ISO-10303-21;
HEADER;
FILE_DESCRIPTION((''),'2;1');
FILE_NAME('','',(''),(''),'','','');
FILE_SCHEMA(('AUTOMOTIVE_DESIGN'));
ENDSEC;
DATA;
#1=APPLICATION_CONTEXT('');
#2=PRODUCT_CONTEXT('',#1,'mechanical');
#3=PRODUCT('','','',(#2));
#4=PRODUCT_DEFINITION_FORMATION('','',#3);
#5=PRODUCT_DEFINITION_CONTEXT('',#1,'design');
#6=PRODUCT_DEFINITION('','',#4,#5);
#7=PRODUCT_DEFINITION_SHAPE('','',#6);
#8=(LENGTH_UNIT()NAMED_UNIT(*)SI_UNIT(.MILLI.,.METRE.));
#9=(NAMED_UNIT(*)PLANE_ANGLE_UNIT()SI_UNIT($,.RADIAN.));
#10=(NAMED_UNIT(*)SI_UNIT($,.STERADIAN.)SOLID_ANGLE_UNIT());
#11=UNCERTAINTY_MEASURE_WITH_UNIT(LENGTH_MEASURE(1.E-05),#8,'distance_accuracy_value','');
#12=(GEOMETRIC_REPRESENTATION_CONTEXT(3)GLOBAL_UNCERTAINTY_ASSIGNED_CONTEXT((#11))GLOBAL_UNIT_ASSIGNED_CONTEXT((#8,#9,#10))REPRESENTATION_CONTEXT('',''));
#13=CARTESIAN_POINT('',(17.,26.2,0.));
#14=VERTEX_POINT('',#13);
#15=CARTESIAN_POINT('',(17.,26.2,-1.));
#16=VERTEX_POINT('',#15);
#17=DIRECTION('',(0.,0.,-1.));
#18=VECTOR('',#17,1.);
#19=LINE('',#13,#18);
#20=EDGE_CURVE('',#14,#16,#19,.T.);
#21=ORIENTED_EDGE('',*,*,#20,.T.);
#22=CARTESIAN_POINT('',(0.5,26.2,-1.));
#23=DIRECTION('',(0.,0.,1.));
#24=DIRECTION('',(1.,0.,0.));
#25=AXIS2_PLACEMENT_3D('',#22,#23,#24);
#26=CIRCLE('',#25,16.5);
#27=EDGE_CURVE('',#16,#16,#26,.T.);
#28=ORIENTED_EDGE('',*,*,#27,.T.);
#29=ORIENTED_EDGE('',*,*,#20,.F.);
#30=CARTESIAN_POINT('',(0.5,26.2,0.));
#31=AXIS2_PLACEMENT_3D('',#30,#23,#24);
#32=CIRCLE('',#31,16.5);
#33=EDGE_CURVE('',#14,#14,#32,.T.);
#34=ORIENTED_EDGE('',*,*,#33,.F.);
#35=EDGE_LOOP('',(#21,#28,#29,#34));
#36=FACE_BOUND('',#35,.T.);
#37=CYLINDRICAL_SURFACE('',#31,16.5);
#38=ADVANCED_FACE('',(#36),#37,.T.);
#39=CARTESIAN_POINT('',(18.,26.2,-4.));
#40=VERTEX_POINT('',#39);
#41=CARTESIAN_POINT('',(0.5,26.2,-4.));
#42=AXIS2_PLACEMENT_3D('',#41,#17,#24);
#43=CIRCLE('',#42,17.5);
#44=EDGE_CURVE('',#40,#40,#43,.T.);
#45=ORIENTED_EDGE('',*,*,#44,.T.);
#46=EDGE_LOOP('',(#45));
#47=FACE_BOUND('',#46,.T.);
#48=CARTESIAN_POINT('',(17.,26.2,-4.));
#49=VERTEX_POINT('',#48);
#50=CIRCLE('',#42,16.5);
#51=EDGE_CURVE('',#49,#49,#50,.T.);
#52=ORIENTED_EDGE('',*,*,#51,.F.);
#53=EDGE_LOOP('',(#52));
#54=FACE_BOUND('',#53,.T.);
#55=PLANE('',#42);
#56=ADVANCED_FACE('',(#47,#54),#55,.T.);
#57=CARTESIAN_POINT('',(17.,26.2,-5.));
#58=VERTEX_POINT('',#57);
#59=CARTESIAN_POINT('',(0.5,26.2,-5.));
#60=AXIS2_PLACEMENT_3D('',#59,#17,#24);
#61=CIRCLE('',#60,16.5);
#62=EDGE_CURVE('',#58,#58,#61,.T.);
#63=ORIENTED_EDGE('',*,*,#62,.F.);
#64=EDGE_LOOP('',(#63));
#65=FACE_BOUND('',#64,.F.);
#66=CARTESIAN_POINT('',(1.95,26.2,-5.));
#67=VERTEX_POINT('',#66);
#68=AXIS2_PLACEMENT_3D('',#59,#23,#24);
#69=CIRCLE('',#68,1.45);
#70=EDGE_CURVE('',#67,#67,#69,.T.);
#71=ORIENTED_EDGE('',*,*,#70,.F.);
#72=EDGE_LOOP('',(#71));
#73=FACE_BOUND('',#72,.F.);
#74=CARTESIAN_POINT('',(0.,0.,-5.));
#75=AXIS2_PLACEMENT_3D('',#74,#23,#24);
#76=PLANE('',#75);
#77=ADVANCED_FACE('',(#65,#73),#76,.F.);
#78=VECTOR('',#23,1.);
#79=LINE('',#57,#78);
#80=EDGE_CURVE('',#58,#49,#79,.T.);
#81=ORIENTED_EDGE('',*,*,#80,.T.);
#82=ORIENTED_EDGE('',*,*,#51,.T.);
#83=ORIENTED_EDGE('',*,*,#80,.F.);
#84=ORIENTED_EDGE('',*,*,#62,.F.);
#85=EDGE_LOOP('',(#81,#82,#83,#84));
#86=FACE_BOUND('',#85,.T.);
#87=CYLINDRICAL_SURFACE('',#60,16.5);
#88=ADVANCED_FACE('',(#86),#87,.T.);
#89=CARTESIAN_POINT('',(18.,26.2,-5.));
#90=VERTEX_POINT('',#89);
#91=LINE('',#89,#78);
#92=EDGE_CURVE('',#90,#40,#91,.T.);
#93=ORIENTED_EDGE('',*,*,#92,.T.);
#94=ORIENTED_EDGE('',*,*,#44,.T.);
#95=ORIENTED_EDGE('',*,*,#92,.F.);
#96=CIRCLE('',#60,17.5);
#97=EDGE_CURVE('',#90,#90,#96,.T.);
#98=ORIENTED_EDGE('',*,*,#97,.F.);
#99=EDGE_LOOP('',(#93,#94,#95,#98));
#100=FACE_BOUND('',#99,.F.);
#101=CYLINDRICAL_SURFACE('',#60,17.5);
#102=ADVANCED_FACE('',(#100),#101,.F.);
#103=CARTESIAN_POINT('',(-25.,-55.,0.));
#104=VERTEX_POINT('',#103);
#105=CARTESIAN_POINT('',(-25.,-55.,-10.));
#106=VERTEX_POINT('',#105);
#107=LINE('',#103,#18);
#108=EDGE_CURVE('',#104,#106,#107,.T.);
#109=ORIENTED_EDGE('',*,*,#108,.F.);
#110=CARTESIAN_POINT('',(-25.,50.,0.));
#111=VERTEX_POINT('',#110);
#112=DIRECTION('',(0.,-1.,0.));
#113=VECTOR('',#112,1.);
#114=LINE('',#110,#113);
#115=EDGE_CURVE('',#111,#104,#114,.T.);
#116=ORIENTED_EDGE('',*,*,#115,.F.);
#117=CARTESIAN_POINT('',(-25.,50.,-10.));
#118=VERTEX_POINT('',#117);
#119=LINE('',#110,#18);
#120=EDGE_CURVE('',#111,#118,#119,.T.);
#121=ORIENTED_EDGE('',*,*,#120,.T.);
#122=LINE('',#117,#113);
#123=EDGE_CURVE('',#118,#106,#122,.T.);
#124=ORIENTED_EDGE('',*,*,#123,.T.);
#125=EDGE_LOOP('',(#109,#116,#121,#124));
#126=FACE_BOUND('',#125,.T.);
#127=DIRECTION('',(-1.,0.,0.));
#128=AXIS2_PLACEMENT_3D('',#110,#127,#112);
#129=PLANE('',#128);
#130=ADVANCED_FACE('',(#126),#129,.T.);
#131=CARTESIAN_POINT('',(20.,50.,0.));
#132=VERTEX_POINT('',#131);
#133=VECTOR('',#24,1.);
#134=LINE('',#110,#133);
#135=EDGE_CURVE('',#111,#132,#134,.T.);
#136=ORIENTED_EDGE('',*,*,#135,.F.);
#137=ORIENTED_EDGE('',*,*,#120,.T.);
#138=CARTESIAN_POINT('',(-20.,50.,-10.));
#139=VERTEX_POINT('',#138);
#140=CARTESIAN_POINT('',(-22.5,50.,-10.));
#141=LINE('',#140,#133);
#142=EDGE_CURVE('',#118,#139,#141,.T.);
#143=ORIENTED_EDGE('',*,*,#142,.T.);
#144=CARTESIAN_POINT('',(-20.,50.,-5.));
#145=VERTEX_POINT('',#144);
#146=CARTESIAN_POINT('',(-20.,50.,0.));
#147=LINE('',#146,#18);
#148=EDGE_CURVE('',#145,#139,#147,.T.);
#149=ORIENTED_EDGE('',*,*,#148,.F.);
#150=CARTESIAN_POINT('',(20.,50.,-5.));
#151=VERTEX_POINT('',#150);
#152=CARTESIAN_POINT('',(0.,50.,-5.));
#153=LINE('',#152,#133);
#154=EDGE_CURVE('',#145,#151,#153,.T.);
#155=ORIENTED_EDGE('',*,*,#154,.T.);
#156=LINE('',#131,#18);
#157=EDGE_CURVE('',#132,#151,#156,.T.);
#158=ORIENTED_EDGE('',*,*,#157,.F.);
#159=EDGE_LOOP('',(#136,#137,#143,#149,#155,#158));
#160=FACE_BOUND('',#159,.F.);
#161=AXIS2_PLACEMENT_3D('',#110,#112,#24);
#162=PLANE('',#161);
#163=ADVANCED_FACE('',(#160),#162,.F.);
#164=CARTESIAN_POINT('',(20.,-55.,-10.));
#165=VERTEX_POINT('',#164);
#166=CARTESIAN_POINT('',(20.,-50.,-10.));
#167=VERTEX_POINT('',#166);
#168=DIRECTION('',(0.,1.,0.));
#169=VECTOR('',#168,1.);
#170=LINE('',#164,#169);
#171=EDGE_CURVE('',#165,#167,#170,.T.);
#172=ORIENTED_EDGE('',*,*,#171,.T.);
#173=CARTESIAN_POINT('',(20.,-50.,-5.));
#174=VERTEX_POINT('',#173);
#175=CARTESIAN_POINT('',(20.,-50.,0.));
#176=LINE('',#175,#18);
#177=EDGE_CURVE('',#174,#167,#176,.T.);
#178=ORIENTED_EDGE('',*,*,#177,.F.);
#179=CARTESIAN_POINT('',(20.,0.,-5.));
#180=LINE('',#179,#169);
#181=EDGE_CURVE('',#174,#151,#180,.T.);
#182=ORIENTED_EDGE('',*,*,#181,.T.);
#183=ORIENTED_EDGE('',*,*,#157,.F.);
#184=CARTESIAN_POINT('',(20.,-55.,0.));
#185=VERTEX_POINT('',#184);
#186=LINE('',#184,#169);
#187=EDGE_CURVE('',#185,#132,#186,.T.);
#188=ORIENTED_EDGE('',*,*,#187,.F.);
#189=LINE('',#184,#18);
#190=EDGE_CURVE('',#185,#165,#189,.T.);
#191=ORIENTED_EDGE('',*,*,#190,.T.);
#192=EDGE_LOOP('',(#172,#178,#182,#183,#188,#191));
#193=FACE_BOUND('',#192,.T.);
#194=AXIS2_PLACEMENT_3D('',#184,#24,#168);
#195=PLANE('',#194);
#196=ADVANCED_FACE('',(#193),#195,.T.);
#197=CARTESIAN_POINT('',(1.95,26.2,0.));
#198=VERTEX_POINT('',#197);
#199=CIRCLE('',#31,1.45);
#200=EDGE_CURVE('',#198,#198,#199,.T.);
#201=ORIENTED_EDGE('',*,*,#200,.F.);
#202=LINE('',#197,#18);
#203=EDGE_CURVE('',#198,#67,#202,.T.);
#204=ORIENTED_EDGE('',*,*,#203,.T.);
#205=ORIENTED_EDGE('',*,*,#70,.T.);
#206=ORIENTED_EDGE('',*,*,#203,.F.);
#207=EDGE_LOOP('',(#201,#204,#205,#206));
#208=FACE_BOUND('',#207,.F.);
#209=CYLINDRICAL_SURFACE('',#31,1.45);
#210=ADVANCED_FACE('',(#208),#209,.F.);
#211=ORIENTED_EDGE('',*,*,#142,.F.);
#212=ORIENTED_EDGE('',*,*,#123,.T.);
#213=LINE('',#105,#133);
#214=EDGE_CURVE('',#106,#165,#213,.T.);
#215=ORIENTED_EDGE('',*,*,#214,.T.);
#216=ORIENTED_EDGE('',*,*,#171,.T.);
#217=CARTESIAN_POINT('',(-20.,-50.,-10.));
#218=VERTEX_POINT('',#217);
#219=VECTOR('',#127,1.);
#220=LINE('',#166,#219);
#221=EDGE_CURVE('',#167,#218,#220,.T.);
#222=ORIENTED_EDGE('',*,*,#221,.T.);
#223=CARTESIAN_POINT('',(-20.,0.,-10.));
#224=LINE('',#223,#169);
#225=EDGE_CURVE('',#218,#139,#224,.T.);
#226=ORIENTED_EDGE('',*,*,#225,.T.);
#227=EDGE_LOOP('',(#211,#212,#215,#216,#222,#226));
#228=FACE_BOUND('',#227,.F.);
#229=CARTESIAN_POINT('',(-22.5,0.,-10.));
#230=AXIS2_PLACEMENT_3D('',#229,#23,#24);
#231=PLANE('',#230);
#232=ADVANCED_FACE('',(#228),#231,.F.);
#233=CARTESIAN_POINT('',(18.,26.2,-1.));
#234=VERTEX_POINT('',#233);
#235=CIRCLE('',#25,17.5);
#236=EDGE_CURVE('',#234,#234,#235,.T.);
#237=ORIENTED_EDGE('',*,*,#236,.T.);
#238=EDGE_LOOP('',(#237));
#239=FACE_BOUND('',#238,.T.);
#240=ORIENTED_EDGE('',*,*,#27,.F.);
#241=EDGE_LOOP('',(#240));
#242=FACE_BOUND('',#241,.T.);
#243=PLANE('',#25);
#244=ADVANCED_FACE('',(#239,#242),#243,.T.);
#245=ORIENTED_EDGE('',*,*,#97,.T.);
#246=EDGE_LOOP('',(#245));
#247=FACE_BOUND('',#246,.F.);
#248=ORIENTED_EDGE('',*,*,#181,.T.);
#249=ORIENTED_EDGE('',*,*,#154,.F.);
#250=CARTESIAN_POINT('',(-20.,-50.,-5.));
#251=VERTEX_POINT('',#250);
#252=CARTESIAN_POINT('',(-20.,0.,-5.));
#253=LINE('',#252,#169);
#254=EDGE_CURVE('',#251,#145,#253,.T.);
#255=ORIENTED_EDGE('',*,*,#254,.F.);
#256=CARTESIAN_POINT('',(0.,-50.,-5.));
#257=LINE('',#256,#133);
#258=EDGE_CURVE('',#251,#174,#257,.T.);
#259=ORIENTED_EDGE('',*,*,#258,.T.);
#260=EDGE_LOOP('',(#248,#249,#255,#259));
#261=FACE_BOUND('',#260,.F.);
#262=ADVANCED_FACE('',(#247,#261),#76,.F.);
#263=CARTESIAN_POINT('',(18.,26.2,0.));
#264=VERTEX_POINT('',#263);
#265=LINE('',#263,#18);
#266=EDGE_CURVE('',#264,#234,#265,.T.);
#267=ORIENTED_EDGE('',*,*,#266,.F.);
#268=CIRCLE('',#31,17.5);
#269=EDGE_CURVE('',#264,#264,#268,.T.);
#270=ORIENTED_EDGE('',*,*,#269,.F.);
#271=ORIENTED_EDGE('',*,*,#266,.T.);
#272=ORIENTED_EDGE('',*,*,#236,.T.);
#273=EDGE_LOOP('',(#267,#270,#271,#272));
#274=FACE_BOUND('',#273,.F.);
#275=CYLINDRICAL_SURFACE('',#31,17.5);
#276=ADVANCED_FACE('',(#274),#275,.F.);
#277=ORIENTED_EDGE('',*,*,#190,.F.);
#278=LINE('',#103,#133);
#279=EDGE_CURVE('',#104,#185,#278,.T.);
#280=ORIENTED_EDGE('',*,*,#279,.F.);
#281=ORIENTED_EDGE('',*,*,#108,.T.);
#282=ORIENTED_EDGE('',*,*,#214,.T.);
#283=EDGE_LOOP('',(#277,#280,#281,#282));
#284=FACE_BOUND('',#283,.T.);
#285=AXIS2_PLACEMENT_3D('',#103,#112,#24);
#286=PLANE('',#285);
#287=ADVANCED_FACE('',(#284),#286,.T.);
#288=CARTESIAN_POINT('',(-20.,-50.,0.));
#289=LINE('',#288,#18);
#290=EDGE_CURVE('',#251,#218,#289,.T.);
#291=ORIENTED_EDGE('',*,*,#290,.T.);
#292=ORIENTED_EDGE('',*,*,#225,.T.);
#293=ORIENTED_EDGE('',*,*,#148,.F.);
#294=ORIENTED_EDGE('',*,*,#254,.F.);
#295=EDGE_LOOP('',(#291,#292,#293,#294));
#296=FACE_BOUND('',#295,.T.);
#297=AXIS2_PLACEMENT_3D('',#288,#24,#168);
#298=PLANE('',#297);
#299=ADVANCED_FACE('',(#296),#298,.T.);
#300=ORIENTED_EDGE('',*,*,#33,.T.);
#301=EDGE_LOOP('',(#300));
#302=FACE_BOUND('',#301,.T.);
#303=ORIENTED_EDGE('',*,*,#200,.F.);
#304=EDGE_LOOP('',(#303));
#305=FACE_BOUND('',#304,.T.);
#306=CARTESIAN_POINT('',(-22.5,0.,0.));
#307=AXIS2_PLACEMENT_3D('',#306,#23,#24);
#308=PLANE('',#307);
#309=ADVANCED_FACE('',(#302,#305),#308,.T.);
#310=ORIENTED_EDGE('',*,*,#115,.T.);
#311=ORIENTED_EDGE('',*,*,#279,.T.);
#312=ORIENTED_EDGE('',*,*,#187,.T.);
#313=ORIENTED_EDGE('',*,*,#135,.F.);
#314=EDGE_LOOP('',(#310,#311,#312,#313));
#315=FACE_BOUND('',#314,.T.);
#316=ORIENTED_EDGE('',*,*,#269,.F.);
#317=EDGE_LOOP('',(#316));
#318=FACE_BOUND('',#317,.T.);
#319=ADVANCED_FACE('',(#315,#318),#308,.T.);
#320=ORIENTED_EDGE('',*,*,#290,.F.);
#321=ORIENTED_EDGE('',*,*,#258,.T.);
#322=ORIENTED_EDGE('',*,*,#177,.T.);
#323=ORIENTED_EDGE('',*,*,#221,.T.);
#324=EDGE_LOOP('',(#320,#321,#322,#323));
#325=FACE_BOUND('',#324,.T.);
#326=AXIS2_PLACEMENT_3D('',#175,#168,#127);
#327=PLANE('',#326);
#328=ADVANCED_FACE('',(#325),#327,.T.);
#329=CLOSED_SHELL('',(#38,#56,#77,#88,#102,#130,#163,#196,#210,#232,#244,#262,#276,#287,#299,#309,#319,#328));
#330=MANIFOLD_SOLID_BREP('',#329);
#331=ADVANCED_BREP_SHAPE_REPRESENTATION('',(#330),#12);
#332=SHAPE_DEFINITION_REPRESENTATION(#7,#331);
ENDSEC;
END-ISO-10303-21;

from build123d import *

# Parameters (mm, degrees)
F0_W     = 40
F0_H     = 100
F0_R     = 17.5
F0_R_2   = 1.45
F1_DEPTH = 5
F2_W     = 5
F2_H     = 100
F3_DEPTH = 10
F4_R     = 17.5
F4_R_2   = 16.5
F5_DEPTH = 1
F6_R     = 17.5
F6_R_2   = 16.5
F7_DEPTH = 1


with BuildPart() as f1:
    # F0 (on Top) → F1 (new body)
    with BuildSketch(Plane.XY):
        Rectangle(F0_W, F0_H)
        with Locations((0.5, 26.2)):
            Circle(F0_R, mode=Mode.SUBTRACT)
        with Locations((0.5, 26.2)):
            Circle(F0_R)
        with Locations((0.5, 26.2)):
            Circle(F0_R_2, mode=Mode.SUBTRACT)
    extrude(amount=-F1_DEPTH)

    # F2 (on face) → F3 (join)
    with BuildSketch(Plane.XY):
        with Locations((-22.5, 0)):
            Rectangle(F2_W, F2_H)
        Polygon((20, -50), (-20, -50), (-25, -50), (-25, -55), (20, -55), align=None)
    extrude(amount=-F3_DEPTH)

    # F4 (on face) → F5 (cut)
    with BuildSketch(Plane.XY):
        with Locations((0.5, 26.2)):
            Circle(F4_R)
        with Locations((0.5, 26.2)):
            Circle(F4_R_2, mode=Mode.SUBTRACT)
    extrude(amount=-F5_DEPTH, mode=Mode.SUBTRACT)

    # F6 (on face) → F7 (cut)
    with BuildSketch(Plane(origin=(0, 0, -5), x_dir=(1, 0, 0), z_dir=(0, 0, -1))):
        with Locations((0.5, -26.2)):
            Circle(F6_R)
        with Locations((0.5, -26.2)):
            Circle(F6_R_2, mode=Mode.SUBTRACT)
    extrude(amount=-F7_DEPTH, mode=Mode.SUBTRACT)


solid = f1.part
